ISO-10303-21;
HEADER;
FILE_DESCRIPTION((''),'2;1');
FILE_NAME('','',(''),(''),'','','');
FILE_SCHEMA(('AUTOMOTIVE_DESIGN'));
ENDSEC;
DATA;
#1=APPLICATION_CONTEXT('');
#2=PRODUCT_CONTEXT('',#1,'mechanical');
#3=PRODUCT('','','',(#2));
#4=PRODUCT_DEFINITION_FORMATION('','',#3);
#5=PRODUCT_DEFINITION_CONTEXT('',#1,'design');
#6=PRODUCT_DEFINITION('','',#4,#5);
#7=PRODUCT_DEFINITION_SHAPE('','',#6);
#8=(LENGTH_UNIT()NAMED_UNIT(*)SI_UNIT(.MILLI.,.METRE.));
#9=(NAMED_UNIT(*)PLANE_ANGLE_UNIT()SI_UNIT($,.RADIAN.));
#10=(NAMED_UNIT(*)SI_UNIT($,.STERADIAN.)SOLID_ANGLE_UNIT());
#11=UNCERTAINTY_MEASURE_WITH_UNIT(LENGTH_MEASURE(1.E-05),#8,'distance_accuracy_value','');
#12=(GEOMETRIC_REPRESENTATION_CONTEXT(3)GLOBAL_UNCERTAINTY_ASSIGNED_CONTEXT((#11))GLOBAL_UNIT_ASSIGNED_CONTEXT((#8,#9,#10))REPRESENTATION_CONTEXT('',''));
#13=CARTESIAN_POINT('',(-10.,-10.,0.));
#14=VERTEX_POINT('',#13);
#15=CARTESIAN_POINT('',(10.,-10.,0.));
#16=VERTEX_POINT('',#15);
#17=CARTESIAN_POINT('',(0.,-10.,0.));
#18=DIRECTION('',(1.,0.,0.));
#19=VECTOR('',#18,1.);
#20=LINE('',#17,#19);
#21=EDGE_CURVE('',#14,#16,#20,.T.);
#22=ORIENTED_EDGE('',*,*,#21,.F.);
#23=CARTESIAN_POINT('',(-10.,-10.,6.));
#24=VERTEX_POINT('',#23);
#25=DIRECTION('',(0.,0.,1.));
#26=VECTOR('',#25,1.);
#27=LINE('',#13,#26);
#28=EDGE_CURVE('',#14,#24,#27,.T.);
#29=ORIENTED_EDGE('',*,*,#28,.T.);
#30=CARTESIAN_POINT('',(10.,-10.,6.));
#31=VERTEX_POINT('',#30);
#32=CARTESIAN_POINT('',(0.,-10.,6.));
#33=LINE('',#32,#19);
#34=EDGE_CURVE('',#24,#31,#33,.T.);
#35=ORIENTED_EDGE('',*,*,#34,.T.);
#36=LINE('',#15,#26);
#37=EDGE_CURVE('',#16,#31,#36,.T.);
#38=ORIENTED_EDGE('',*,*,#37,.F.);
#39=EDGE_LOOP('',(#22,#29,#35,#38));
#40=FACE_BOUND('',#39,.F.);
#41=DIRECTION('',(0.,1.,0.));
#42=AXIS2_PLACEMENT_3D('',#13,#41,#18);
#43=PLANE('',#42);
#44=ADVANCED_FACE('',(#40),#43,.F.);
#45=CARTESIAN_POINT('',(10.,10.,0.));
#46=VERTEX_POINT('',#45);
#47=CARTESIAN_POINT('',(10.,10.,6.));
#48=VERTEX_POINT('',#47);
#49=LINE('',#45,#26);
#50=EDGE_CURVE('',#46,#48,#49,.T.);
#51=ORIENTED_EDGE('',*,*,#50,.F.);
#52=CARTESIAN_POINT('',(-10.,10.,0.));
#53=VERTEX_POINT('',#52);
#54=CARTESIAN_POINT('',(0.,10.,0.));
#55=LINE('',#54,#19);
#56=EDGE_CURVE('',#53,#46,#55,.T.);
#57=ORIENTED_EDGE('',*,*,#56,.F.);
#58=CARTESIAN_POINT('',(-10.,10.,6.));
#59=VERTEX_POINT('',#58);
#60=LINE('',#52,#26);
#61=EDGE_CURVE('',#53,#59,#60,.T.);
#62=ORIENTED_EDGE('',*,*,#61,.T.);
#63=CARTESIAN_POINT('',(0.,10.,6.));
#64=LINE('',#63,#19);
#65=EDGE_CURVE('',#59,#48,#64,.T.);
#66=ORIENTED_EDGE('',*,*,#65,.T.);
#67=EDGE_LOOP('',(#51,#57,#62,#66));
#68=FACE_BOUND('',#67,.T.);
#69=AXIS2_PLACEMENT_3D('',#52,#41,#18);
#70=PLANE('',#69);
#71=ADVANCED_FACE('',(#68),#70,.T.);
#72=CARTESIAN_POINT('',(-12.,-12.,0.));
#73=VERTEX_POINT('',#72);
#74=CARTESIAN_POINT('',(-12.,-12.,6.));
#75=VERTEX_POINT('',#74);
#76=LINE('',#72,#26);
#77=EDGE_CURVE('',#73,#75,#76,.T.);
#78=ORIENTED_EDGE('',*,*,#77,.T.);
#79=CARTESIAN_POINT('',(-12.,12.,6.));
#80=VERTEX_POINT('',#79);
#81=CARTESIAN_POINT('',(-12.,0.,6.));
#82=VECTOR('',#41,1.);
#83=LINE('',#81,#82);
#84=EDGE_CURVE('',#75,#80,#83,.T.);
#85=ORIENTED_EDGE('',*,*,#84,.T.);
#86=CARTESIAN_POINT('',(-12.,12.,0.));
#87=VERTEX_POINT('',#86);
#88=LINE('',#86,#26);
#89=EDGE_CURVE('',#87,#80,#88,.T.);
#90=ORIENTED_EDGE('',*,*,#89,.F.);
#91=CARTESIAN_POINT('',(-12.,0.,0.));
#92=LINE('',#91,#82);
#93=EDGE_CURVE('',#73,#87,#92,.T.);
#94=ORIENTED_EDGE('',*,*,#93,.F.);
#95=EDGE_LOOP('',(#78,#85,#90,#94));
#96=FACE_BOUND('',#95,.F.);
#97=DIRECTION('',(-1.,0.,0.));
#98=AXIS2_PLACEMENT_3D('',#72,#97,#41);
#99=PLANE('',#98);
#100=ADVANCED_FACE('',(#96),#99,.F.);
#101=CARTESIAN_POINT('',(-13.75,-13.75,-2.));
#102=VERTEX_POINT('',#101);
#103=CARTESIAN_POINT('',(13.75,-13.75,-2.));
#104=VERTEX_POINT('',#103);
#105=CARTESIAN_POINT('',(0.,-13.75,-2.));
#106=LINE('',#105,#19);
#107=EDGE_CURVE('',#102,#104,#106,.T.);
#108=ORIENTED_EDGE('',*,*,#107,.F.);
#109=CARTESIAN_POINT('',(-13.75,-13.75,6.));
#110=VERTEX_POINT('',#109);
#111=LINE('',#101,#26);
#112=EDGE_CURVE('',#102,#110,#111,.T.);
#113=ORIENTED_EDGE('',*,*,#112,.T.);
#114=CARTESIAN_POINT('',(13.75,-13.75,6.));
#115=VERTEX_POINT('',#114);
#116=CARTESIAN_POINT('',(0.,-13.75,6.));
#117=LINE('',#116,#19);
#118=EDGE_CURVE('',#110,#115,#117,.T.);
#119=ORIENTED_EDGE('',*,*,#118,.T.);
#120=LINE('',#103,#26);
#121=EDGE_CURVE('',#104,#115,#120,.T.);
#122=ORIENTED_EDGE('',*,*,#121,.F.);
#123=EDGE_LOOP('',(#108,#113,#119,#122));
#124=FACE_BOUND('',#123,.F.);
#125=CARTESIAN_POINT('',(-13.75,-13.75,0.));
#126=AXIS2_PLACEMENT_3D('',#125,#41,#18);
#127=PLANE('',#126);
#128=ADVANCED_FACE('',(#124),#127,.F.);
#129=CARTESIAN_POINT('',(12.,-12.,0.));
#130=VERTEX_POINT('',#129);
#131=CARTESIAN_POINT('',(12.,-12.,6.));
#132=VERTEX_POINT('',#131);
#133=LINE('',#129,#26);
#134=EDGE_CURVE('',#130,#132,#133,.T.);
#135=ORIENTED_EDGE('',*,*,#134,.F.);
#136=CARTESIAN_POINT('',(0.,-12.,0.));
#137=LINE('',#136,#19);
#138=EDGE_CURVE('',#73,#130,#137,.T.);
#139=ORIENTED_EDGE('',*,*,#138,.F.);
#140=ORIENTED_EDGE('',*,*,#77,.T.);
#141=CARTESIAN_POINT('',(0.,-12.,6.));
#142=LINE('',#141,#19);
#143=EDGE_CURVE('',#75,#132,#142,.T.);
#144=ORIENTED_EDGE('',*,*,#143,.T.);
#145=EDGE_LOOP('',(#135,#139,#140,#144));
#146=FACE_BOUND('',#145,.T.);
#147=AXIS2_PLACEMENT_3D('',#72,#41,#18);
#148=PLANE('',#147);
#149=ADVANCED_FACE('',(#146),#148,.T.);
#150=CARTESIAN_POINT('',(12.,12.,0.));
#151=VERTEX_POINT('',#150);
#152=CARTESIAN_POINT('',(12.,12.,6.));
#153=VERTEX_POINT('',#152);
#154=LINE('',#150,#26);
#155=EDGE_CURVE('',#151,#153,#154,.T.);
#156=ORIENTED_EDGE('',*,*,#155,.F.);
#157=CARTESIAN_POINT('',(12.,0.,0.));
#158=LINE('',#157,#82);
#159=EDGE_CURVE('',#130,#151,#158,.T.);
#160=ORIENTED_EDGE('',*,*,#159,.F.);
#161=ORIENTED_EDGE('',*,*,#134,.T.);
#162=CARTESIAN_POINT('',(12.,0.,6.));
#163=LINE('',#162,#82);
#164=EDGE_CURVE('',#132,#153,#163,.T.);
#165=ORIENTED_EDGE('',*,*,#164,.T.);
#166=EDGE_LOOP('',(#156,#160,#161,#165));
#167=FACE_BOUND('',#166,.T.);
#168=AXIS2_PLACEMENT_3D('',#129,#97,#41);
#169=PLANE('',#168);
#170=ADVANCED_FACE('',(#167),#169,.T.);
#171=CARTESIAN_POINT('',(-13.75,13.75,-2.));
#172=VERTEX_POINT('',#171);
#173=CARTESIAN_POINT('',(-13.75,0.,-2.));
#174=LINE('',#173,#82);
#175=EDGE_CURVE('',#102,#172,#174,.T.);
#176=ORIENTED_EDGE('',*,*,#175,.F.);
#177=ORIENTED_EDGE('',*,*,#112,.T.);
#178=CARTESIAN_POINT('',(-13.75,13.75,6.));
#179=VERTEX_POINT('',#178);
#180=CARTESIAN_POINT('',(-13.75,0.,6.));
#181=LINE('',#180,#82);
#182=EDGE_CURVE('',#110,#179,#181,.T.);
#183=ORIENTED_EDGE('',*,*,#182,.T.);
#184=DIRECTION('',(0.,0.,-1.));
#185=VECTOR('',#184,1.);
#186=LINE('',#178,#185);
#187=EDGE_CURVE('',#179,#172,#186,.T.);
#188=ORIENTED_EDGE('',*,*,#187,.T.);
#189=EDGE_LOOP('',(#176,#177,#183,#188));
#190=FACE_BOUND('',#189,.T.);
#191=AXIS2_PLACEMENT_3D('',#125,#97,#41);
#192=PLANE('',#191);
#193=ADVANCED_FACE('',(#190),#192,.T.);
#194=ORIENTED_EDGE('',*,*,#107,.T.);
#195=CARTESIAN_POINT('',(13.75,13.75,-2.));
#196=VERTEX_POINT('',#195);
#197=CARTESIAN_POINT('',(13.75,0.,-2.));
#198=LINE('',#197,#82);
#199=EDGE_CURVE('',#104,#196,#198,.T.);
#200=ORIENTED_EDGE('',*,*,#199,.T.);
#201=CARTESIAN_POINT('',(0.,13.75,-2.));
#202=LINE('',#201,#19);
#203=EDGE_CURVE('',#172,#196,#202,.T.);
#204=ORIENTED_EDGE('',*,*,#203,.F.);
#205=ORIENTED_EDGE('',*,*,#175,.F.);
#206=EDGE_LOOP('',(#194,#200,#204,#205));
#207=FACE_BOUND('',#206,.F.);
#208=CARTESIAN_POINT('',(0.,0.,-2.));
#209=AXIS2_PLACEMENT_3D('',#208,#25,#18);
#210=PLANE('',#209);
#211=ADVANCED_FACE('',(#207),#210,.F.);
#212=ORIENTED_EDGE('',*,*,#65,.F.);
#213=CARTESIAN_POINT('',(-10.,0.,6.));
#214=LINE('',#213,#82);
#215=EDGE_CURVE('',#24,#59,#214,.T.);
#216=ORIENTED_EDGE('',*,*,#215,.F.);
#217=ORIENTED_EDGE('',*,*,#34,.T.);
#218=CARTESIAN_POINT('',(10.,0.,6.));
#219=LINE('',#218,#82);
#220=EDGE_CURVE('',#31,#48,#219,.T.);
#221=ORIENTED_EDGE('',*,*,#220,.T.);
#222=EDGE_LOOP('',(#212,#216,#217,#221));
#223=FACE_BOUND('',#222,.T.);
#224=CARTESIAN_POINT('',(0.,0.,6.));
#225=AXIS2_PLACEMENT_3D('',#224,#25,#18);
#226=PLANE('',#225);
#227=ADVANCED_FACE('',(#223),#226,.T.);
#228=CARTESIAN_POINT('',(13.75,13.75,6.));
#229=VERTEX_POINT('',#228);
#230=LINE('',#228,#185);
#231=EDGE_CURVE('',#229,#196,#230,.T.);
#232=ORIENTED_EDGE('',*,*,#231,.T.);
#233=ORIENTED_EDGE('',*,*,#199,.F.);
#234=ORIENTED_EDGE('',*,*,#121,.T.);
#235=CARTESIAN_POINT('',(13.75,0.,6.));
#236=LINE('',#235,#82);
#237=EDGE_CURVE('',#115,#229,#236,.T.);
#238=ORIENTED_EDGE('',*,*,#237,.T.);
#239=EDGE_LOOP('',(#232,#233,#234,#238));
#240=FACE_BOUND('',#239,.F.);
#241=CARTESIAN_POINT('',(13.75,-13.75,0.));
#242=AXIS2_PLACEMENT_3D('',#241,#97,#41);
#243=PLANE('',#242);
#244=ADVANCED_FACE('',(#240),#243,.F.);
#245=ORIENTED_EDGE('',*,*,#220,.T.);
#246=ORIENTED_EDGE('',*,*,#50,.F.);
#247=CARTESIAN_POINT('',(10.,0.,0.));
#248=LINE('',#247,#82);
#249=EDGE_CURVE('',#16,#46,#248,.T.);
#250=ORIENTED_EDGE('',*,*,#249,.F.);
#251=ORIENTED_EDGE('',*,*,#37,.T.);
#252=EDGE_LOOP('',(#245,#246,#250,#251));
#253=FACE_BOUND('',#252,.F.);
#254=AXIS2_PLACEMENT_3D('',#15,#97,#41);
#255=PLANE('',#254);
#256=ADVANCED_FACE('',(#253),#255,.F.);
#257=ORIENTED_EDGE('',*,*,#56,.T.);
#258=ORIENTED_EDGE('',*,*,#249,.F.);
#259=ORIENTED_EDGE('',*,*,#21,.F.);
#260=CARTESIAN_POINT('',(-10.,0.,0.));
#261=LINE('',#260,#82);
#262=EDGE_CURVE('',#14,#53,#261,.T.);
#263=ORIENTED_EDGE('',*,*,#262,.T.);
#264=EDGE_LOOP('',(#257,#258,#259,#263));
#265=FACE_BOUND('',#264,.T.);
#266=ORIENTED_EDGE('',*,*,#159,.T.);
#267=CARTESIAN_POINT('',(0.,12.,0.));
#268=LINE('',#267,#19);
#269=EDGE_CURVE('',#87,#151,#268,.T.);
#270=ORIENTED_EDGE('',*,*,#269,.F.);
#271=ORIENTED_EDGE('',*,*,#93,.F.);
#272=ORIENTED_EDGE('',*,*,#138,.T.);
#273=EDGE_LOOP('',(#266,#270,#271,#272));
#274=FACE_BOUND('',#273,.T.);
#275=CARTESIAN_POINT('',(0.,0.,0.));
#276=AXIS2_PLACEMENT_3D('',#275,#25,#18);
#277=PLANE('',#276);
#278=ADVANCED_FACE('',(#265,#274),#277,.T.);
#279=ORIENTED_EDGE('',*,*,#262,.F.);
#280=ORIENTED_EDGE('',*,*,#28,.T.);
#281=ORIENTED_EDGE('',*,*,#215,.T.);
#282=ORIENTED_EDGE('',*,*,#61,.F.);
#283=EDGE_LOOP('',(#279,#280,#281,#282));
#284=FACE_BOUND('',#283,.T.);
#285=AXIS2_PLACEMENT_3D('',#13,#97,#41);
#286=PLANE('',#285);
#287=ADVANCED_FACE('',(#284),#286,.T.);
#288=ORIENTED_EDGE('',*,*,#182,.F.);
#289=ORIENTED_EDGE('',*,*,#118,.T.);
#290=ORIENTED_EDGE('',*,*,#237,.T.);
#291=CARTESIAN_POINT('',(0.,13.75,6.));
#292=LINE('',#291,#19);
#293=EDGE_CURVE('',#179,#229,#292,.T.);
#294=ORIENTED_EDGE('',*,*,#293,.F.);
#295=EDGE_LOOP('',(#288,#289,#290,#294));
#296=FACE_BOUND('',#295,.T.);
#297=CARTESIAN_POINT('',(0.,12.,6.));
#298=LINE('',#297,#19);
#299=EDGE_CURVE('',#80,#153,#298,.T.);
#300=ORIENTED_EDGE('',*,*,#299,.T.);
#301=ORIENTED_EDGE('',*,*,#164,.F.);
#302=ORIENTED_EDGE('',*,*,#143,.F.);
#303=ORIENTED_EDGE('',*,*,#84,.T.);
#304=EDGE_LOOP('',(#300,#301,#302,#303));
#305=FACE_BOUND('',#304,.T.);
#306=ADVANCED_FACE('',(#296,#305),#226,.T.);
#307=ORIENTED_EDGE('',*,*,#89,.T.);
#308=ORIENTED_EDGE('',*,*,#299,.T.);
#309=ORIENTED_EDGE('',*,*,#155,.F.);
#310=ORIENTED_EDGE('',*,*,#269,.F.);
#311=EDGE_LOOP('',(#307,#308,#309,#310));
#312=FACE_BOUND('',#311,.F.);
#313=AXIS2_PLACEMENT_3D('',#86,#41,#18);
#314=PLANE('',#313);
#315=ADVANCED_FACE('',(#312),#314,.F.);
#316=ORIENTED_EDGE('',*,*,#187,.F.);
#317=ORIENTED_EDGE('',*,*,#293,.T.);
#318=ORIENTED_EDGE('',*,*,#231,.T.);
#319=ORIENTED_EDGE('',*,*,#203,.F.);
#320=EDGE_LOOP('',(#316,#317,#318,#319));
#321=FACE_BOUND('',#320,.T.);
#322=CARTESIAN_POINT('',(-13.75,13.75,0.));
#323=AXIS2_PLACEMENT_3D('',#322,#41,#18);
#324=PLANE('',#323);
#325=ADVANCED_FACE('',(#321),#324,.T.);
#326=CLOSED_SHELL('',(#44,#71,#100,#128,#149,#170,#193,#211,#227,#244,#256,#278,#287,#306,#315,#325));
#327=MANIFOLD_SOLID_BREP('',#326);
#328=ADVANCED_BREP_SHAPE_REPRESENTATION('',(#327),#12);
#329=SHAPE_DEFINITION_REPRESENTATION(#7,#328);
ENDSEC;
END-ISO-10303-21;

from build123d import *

# Parameters (mm, degrees)
F0_W     = 27.5
F0_H     = 27.5
F0_W_2   = 24
F0_H_2   = 24
F0_W_3   = 20
F0_H_3   = 20
F1_DEPTH = 2
F2_DEPTH = 6


with BuildPart() as f1:
    # F0 (on Top) → F1 (new body)
    with BuildSketch(Plane.XY):
        Rectangle(F0_W, F0_H)
        Rectangle(F0_W_2, F0_H_2, mode=Mode.SUBTRACT)
        Rectangle(F0_W_2, F0_H_2)
        Rectangle(F0_W_3, F0_H_3, mode=Mode.SUBTRACT)
        Rectangle(F0_W_3, F0_H_3)
    extrude(amount=-F1_DEPTH)

    # F0 (on Top) → F2 (join)
    with BuildSketch(Plane.XY):
        Rectangle(F0_W, F0_H)
        Rectangle(F0_W_2, F0_H_2, mode=Mode.SUBTRACT)
        Rectangle(F0_W_3, F0_H_3)
    extrude(amount=F2_DEPTH)


solid = f1.part
